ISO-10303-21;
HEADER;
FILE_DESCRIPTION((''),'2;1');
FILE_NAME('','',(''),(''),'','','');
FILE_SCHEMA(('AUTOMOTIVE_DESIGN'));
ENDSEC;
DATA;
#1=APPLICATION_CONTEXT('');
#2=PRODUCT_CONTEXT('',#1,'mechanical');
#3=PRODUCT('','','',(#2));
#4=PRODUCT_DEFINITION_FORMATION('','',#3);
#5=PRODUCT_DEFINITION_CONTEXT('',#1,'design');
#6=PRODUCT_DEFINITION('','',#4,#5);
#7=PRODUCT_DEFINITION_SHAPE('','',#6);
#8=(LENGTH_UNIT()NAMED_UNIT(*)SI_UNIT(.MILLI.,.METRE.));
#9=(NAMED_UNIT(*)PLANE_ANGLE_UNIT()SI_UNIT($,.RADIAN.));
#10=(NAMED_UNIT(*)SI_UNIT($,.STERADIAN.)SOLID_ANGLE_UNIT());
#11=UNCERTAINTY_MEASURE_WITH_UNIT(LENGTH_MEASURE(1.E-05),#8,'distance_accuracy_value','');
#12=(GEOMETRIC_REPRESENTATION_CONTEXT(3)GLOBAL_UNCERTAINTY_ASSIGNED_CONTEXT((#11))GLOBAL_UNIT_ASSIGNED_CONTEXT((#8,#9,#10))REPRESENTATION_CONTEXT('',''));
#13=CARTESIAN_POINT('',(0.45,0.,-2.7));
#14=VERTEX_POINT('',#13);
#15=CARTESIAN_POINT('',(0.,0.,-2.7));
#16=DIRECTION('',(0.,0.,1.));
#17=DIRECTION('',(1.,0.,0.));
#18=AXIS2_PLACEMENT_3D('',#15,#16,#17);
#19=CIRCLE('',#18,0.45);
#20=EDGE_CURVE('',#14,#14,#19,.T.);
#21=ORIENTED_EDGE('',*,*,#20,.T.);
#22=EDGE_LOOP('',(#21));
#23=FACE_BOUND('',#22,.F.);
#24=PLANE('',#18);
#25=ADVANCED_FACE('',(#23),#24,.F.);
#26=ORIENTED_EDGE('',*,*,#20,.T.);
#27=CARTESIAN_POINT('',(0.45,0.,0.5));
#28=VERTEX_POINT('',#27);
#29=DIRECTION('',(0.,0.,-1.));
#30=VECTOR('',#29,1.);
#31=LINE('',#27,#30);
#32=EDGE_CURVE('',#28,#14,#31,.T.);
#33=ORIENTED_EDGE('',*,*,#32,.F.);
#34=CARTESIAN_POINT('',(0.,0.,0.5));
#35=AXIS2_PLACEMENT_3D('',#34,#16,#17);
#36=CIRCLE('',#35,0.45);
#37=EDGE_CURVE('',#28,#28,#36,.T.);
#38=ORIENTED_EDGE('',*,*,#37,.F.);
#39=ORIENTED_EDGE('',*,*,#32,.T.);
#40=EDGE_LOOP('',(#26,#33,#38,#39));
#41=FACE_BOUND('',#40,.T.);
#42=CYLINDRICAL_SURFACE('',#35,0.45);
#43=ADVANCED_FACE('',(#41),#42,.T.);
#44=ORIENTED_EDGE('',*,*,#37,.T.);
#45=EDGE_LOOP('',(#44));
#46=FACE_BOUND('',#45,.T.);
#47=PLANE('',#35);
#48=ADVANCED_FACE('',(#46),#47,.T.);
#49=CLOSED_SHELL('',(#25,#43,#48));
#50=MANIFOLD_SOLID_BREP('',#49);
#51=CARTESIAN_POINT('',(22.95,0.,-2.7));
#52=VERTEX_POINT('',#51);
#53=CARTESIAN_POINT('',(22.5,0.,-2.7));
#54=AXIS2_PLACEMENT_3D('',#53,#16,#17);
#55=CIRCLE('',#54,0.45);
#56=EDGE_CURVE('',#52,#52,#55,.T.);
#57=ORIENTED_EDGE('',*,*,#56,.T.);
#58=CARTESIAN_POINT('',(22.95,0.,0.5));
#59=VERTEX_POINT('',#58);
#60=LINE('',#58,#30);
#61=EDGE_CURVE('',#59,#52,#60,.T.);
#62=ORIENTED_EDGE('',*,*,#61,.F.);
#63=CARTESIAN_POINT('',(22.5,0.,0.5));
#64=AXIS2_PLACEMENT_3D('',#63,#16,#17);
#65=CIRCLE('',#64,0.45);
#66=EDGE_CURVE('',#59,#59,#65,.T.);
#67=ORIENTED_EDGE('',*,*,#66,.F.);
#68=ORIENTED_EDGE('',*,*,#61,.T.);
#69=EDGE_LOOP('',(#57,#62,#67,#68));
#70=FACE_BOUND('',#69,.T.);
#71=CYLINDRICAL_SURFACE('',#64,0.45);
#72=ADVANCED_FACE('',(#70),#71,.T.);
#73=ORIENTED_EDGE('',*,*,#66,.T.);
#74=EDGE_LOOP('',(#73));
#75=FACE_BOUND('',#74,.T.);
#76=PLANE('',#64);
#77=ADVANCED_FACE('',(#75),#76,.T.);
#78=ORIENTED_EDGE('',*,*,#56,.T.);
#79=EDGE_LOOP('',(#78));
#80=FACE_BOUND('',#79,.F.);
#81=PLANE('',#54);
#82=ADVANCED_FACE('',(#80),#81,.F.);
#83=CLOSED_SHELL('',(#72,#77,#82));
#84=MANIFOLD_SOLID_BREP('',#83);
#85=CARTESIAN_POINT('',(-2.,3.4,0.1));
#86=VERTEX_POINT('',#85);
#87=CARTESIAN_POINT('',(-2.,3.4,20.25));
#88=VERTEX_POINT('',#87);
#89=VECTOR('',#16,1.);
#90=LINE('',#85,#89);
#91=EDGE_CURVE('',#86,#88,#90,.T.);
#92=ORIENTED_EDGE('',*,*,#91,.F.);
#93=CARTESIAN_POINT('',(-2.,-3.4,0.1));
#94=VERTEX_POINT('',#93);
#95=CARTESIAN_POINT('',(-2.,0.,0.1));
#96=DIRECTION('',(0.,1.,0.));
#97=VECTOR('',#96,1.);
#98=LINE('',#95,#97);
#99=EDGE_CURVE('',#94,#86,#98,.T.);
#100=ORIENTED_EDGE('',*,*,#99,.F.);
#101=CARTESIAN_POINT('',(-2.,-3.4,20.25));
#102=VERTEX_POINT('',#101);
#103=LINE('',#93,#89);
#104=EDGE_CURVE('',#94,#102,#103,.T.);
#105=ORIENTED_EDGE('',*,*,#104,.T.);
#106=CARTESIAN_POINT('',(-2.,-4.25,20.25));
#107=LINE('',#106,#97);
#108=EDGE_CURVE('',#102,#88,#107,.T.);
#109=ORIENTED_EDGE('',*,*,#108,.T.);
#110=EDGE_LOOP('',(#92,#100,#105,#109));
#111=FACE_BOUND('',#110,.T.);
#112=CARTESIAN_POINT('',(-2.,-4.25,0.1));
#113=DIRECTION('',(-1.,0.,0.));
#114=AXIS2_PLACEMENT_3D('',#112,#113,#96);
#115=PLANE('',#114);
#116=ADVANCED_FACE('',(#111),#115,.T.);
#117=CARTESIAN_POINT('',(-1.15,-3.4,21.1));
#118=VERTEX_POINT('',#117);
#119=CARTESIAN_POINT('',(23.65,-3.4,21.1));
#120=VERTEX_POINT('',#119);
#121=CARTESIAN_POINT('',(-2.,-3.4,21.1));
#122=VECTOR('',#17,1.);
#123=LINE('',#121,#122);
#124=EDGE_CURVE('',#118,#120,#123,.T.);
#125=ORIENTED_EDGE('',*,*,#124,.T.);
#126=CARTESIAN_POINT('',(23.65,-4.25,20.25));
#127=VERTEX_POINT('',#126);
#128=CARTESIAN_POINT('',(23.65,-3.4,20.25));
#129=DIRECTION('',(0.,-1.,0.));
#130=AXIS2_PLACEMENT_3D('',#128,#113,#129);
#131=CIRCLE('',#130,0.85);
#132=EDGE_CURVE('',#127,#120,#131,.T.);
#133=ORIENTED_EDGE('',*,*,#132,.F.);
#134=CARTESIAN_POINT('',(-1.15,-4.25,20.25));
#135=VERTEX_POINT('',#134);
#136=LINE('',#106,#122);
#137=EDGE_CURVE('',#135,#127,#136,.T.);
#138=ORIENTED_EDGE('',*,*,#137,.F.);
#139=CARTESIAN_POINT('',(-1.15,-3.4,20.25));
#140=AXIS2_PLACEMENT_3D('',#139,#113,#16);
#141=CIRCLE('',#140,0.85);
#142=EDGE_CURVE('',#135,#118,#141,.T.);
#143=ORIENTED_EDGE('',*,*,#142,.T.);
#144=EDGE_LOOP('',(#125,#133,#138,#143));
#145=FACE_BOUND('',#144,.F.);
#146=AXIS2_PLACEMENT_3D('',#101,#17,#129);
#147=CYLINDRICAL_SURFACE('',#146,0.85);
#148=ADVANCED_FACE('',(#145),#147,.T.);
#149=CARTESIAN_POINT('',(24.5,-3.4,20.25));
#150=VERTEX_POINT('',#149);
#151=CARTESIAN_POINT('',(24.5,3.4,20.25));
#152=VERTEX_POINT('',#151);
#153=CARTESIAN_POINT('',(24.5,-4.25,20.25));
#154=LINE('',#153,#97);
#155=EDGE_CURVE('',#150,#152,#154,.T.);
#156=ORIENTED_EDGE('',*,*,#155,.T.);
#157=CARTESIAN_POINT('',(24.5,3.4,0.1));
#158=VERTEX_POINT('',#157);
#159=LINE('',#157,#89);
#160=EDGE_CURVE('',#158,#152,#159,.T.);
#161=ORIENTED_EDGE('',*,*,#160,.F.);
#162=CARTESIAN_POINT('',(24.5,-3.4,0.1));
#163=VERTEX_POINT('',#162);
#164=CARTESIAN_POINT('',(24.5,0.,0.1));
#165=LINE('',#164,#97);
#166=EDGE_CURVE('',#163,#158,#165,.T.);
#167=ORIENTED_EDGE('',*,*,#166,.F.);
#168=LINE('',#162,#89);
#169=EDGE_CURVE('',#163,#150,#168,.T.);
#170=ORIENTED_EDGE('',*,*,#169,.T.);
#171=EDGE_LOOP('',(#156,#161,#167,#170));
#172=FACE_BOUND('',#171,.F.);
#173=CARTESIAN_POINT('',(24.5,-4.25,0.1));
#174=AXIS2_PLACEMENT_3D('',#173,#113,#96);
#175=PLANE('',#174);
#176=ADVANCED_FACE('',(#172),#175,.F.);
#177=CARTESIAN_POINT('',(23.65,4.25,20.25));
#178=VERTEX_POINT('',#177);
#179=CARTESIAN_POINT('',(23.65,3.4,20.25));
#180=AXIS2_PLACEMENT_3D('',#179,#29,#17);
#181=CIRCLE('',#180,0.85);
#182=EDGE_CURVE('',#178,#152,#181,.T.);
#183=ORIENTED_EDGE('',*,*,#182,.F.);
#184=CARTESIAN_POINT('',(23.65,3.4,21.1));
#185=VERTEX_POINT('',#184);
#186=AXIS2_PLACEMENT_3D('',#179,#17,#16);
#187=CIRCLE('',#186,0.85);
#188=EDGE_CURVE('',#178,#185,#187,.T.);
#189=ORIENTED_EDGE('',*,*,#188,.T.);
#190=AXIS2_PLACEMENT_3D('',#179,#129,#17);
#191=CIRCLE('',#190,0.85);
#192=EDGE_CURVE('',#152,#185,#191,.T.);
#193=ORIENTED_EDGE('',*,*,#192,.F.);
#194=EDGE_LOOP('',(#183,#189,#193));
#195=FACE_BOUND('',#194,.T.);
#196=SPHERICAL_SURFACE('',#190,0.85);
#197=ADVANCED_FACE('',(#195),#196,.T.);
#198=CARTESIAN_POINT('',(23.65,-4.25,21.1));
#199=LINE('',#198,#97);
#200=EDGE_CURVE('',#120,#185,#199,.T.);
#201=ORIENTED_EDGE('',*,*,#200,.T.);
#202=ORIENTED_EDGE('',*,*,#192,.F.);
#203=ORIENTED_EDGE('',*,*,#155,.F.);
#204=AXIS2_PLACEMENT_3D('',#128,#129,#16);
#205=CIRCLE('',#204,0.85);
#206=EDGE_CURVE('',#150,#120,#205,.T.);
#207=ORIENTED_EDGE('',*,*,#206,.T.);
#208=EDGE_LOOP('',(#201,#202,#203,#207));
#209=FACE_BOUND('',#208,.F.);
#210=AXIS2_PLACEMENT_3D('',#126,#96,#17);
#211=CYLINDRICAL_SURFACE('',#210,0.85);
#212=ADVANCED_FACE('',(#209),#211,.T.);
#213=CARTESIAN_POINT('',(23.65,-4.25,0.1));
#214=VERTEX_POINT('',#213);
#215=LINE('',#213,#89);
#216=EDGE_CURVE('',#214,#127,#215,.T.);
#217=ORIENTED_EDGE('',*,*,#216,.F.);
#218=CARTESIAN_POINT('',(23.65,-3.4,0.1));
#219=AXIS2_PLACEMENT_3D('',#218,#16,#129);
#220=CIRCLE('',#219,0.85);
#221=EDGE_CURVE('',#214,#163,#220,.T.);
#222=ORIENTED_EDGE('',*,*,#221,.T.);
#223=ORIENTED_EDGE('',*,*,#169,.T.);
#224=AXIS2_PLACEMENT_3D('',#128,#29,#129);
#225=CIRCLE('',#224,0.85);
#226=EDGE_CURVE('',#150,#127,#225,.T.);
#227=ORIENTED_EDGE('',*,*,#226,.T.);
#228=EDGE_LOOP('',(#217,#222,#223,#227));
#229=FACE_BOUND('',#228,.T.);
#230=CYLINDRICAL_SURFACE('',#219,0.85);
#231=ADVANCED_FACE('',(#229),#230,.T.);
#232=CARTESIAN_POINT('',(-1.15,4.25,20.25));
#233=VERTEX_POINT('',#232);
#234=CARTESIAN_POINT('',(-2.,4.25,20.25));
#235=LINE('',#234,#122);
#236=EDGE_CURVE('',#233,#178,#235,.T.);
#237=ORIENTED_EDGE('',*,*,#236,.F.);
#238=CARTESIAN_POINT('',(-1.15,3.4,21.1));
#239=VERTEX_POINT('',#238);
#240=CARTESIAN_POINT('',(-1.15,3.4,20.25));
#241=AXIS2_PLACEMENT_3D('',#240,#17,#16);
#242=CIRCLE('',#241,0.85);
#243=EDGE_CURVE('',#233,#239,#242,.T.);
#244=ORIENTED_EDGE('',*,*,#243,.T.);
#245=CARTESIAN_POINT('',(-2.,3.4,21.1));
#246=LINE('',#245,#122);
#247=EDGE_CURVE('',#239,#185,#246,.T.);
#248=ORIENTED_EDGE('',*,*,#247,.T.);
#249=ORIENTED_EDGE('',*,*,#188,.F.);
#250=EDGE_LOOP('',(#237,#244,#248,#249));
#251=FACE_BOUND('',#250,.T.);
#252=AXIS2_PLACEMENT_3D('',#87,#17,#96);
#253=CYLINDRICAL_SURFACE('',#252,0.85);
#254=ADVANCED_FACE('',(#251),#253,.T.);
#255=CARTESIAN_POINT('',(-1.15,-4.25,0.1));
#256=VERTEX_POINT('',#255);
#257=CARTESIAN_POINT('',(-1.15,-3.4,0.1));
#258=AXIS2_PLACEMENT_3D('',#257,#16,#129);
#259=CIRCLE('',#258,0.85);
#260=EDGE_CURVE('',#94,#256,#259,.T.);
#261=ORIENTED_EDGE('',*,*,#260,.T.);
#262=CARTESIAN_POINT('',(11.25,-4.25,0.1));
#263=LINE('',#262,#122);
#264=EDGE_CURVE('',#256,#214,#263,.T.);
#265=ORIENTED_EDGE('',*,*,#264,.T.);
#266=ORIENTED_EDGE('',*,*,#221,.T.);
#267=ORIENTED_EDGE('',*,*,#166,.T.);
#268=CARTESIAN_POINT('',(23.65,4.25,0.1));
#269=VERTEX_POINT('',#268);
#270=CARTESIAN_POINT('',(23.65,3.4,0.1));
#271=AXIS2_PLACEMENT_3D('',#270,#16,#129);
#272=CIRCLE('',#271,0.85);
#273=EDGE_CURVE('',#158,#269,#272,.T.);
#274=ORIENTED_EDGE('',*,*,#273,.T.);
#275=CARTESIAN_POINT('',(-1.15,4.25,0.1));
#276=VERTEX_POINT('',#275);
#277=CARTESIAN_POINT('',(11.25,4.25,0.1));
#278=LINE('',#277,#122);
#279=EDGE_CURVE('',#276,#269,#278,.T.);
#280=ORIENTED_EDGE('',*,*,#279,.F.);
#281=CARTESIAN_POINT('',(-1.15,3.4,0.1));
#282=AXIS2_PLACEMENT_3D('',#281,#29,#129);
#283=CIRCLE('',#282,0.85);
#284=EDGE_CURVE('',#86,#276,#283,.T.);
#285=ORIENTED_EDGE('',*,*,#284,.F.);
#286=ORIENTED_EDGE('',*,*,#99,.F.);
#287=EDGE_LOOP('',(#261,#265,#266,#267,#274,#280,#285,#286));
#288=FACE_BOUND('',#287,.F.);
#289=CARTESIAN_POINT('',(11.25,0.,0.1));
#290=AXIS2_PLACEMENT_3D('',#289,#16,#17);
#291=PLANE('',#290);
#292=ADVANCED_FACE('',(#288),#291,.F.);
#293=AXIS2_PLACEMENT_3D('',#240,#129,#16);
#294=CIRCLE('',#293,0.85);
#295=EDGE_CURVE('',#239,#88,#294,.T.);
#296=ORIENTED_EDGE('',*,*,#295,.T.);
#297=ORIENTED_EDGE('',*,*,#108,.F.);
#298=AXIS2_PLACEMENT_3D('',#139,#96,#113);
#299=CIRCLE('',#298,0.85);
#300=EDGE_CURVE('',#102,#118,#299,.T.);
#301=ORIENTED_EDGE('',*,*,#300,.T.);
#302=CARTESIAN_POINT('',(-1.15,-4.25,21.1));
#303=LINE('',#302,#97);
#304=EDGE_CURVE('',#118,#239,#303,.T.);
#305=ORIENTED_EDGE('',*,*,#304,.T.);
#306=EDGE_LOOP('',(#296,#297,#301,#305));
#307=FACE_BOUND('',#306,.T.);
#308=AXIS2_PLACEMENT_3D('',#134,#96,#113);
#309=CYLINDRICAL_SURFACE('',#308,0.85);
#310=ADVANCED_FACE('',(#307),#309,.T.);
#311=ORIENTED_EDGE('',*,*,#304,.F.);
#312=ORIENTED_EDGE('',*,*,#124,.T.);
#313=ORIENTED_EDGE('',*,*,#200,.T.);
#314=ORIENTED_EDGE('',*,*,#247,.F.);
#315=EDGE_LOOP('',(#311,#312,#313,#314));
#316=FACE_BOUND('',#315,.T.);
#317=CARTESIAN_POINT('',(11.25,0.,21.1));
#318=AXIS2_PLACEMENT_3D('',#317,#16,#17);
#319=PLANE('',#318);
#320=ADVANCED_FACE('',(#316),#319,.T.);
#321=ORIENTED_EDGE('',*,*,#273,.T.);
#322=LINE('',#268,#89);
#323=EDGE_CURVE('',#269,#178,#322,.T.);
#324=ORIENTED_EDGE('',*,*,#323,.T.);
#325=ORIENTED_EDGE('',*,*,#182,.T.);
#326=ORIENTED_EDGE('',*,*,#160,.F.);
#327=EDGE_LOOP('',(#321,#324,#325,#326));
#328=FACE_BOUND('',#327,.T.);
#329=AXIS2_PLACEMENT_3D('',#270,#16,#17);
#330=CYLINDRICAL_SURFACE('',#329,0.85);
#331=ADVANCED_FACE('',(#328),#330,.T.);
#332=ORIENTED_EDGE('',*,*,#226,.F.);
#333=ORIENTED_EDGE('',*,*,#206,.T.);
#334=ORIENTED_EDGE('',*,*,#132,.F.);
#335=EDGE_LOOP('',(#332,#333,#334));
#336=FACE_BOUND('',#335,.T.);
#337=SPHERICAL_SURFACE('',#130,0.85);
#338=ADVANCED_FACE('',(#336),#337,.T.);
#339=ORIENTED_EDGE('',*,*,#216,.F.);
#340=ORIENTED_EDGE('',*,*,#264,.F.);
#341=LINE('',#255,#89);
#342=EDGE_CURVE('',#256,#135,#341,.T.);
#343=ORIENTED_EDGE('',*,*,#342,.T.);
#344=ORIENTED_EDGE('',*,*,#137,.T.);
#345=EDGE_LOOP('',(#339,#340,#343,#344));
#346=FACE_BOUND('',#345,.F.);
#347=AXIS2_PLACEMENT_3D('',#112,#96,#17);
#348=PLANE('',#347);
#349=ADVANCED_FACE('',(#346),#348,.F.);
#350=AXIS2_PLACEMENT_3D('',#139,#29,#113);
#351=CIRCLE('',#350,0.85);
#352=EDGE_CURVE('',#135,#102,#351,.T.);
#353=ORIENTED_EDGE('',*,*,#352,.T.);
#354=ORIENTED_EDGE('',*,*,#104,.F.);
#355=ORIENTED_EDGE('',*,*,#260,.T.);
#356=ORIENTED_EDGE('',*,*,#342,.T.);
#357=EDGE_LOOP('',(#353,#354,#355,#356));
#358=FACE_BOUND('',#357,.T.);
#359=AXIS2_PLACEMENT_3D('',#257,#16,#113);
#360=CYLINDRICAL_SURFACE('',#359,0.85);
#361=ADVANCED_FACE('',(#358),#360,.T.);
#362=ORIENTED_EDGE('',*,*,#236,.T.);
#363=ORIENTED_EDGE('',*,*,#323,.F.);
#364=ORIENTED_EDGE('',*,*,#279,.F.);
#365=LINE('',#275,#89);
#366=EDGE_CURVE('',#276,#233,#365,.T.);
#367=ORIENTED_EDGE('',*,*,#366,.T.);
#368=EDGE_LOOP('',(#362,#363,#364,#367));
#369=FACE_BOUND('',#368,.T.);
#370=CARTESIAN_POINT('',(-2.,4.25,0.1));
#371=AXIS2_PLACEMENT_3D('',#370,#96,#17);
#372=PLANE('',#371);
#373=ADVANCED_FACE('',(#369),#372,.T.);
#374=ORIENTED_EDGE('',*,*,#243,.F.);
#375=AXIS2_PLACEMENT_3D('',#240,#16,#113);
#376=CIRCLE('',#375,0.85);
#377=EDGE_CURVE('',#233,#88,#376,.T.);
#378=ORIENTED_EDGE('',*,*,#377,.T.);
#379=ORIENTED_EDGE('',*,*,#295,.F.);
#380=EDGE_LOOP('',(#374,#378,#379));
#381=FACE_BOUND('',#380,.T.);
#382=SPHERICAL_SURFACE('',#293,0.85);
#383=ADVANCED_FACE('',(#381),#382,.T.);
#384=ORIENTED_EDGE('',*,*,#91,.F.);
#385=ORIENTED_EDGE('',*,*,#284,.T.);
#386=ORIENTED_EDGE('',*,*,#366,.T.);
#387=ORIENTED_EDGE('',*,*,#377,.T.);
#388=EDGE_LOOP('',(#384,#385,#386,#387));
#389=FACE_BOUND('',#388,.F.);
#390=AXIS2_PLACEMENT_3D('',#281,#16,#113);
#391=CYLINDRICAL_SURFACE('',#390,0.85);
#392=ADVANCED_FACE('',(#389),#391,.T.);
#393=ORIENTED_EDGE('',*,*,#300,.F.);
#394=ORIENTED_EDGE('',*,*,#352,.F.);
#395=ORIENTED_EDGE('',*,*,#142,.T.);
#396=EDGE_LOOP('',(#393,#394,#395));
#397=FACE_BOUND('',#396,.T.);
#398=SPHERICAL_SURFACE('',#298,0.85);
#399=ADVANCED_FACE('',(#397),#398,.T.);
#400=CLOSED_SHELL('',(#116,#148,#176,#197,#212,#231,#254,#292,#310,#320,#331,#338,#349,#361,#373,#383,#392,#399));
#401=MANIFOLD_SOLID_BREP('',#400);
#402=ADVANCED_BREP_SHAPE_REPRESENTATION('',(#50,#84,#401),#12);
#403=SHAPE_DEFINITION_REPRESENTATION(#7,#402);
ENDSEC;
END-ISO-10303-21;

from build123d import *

# Parameters (mm, degrees)
SKETCH_W     = 26.5
SKETCH_H     = 8.5
PAD_DEPTH    = 21
FILLET_R     = 0.85
SKETCH001_R  = 0.45
PAD001_DEPTH = 3.2


with BuildPart() as fillet_body:
    # Sketch → Pad (new body)
    with BuildSketch(Plane.XY.offset(0.1)):
        with Locations((11.25, 0)):
            Rectangle(SKETCH_W, SKETCH_H)
    extrude(amount=PAD_DEPTH)

    # Fillet
    fillet_edges = [fillet_body.edges().sort_by_distance(p)[0] for p in [
        (-2, 0, 21.1),
        (-2, -4.25, 10.6),
        (11.25, -4.25, 21.1),
        (24.5, -4.25, 10.6),
        (24.5, 0, 21.1),
        (24.5, 4.25, 10.6),
        (11.25, 4.25, 21.1),
        (-2, 4.25, 10.6),
    ]]
    fillet(fillet_edges, radius=FILLET_R)


with BuildPart() as pad001:
    # Sketch001 → Pad001 (new body)
    with BuildSketch(Plane.XY.offset(0.5)):
        Circle(SKETCH001_R)
        with Locations((22.5, 0)):
            Circle(SKETCH001_R)
    extrude(amount=-PAD001_DEPTH)


solid = Compound([fillet_body.part, pad001.part])
